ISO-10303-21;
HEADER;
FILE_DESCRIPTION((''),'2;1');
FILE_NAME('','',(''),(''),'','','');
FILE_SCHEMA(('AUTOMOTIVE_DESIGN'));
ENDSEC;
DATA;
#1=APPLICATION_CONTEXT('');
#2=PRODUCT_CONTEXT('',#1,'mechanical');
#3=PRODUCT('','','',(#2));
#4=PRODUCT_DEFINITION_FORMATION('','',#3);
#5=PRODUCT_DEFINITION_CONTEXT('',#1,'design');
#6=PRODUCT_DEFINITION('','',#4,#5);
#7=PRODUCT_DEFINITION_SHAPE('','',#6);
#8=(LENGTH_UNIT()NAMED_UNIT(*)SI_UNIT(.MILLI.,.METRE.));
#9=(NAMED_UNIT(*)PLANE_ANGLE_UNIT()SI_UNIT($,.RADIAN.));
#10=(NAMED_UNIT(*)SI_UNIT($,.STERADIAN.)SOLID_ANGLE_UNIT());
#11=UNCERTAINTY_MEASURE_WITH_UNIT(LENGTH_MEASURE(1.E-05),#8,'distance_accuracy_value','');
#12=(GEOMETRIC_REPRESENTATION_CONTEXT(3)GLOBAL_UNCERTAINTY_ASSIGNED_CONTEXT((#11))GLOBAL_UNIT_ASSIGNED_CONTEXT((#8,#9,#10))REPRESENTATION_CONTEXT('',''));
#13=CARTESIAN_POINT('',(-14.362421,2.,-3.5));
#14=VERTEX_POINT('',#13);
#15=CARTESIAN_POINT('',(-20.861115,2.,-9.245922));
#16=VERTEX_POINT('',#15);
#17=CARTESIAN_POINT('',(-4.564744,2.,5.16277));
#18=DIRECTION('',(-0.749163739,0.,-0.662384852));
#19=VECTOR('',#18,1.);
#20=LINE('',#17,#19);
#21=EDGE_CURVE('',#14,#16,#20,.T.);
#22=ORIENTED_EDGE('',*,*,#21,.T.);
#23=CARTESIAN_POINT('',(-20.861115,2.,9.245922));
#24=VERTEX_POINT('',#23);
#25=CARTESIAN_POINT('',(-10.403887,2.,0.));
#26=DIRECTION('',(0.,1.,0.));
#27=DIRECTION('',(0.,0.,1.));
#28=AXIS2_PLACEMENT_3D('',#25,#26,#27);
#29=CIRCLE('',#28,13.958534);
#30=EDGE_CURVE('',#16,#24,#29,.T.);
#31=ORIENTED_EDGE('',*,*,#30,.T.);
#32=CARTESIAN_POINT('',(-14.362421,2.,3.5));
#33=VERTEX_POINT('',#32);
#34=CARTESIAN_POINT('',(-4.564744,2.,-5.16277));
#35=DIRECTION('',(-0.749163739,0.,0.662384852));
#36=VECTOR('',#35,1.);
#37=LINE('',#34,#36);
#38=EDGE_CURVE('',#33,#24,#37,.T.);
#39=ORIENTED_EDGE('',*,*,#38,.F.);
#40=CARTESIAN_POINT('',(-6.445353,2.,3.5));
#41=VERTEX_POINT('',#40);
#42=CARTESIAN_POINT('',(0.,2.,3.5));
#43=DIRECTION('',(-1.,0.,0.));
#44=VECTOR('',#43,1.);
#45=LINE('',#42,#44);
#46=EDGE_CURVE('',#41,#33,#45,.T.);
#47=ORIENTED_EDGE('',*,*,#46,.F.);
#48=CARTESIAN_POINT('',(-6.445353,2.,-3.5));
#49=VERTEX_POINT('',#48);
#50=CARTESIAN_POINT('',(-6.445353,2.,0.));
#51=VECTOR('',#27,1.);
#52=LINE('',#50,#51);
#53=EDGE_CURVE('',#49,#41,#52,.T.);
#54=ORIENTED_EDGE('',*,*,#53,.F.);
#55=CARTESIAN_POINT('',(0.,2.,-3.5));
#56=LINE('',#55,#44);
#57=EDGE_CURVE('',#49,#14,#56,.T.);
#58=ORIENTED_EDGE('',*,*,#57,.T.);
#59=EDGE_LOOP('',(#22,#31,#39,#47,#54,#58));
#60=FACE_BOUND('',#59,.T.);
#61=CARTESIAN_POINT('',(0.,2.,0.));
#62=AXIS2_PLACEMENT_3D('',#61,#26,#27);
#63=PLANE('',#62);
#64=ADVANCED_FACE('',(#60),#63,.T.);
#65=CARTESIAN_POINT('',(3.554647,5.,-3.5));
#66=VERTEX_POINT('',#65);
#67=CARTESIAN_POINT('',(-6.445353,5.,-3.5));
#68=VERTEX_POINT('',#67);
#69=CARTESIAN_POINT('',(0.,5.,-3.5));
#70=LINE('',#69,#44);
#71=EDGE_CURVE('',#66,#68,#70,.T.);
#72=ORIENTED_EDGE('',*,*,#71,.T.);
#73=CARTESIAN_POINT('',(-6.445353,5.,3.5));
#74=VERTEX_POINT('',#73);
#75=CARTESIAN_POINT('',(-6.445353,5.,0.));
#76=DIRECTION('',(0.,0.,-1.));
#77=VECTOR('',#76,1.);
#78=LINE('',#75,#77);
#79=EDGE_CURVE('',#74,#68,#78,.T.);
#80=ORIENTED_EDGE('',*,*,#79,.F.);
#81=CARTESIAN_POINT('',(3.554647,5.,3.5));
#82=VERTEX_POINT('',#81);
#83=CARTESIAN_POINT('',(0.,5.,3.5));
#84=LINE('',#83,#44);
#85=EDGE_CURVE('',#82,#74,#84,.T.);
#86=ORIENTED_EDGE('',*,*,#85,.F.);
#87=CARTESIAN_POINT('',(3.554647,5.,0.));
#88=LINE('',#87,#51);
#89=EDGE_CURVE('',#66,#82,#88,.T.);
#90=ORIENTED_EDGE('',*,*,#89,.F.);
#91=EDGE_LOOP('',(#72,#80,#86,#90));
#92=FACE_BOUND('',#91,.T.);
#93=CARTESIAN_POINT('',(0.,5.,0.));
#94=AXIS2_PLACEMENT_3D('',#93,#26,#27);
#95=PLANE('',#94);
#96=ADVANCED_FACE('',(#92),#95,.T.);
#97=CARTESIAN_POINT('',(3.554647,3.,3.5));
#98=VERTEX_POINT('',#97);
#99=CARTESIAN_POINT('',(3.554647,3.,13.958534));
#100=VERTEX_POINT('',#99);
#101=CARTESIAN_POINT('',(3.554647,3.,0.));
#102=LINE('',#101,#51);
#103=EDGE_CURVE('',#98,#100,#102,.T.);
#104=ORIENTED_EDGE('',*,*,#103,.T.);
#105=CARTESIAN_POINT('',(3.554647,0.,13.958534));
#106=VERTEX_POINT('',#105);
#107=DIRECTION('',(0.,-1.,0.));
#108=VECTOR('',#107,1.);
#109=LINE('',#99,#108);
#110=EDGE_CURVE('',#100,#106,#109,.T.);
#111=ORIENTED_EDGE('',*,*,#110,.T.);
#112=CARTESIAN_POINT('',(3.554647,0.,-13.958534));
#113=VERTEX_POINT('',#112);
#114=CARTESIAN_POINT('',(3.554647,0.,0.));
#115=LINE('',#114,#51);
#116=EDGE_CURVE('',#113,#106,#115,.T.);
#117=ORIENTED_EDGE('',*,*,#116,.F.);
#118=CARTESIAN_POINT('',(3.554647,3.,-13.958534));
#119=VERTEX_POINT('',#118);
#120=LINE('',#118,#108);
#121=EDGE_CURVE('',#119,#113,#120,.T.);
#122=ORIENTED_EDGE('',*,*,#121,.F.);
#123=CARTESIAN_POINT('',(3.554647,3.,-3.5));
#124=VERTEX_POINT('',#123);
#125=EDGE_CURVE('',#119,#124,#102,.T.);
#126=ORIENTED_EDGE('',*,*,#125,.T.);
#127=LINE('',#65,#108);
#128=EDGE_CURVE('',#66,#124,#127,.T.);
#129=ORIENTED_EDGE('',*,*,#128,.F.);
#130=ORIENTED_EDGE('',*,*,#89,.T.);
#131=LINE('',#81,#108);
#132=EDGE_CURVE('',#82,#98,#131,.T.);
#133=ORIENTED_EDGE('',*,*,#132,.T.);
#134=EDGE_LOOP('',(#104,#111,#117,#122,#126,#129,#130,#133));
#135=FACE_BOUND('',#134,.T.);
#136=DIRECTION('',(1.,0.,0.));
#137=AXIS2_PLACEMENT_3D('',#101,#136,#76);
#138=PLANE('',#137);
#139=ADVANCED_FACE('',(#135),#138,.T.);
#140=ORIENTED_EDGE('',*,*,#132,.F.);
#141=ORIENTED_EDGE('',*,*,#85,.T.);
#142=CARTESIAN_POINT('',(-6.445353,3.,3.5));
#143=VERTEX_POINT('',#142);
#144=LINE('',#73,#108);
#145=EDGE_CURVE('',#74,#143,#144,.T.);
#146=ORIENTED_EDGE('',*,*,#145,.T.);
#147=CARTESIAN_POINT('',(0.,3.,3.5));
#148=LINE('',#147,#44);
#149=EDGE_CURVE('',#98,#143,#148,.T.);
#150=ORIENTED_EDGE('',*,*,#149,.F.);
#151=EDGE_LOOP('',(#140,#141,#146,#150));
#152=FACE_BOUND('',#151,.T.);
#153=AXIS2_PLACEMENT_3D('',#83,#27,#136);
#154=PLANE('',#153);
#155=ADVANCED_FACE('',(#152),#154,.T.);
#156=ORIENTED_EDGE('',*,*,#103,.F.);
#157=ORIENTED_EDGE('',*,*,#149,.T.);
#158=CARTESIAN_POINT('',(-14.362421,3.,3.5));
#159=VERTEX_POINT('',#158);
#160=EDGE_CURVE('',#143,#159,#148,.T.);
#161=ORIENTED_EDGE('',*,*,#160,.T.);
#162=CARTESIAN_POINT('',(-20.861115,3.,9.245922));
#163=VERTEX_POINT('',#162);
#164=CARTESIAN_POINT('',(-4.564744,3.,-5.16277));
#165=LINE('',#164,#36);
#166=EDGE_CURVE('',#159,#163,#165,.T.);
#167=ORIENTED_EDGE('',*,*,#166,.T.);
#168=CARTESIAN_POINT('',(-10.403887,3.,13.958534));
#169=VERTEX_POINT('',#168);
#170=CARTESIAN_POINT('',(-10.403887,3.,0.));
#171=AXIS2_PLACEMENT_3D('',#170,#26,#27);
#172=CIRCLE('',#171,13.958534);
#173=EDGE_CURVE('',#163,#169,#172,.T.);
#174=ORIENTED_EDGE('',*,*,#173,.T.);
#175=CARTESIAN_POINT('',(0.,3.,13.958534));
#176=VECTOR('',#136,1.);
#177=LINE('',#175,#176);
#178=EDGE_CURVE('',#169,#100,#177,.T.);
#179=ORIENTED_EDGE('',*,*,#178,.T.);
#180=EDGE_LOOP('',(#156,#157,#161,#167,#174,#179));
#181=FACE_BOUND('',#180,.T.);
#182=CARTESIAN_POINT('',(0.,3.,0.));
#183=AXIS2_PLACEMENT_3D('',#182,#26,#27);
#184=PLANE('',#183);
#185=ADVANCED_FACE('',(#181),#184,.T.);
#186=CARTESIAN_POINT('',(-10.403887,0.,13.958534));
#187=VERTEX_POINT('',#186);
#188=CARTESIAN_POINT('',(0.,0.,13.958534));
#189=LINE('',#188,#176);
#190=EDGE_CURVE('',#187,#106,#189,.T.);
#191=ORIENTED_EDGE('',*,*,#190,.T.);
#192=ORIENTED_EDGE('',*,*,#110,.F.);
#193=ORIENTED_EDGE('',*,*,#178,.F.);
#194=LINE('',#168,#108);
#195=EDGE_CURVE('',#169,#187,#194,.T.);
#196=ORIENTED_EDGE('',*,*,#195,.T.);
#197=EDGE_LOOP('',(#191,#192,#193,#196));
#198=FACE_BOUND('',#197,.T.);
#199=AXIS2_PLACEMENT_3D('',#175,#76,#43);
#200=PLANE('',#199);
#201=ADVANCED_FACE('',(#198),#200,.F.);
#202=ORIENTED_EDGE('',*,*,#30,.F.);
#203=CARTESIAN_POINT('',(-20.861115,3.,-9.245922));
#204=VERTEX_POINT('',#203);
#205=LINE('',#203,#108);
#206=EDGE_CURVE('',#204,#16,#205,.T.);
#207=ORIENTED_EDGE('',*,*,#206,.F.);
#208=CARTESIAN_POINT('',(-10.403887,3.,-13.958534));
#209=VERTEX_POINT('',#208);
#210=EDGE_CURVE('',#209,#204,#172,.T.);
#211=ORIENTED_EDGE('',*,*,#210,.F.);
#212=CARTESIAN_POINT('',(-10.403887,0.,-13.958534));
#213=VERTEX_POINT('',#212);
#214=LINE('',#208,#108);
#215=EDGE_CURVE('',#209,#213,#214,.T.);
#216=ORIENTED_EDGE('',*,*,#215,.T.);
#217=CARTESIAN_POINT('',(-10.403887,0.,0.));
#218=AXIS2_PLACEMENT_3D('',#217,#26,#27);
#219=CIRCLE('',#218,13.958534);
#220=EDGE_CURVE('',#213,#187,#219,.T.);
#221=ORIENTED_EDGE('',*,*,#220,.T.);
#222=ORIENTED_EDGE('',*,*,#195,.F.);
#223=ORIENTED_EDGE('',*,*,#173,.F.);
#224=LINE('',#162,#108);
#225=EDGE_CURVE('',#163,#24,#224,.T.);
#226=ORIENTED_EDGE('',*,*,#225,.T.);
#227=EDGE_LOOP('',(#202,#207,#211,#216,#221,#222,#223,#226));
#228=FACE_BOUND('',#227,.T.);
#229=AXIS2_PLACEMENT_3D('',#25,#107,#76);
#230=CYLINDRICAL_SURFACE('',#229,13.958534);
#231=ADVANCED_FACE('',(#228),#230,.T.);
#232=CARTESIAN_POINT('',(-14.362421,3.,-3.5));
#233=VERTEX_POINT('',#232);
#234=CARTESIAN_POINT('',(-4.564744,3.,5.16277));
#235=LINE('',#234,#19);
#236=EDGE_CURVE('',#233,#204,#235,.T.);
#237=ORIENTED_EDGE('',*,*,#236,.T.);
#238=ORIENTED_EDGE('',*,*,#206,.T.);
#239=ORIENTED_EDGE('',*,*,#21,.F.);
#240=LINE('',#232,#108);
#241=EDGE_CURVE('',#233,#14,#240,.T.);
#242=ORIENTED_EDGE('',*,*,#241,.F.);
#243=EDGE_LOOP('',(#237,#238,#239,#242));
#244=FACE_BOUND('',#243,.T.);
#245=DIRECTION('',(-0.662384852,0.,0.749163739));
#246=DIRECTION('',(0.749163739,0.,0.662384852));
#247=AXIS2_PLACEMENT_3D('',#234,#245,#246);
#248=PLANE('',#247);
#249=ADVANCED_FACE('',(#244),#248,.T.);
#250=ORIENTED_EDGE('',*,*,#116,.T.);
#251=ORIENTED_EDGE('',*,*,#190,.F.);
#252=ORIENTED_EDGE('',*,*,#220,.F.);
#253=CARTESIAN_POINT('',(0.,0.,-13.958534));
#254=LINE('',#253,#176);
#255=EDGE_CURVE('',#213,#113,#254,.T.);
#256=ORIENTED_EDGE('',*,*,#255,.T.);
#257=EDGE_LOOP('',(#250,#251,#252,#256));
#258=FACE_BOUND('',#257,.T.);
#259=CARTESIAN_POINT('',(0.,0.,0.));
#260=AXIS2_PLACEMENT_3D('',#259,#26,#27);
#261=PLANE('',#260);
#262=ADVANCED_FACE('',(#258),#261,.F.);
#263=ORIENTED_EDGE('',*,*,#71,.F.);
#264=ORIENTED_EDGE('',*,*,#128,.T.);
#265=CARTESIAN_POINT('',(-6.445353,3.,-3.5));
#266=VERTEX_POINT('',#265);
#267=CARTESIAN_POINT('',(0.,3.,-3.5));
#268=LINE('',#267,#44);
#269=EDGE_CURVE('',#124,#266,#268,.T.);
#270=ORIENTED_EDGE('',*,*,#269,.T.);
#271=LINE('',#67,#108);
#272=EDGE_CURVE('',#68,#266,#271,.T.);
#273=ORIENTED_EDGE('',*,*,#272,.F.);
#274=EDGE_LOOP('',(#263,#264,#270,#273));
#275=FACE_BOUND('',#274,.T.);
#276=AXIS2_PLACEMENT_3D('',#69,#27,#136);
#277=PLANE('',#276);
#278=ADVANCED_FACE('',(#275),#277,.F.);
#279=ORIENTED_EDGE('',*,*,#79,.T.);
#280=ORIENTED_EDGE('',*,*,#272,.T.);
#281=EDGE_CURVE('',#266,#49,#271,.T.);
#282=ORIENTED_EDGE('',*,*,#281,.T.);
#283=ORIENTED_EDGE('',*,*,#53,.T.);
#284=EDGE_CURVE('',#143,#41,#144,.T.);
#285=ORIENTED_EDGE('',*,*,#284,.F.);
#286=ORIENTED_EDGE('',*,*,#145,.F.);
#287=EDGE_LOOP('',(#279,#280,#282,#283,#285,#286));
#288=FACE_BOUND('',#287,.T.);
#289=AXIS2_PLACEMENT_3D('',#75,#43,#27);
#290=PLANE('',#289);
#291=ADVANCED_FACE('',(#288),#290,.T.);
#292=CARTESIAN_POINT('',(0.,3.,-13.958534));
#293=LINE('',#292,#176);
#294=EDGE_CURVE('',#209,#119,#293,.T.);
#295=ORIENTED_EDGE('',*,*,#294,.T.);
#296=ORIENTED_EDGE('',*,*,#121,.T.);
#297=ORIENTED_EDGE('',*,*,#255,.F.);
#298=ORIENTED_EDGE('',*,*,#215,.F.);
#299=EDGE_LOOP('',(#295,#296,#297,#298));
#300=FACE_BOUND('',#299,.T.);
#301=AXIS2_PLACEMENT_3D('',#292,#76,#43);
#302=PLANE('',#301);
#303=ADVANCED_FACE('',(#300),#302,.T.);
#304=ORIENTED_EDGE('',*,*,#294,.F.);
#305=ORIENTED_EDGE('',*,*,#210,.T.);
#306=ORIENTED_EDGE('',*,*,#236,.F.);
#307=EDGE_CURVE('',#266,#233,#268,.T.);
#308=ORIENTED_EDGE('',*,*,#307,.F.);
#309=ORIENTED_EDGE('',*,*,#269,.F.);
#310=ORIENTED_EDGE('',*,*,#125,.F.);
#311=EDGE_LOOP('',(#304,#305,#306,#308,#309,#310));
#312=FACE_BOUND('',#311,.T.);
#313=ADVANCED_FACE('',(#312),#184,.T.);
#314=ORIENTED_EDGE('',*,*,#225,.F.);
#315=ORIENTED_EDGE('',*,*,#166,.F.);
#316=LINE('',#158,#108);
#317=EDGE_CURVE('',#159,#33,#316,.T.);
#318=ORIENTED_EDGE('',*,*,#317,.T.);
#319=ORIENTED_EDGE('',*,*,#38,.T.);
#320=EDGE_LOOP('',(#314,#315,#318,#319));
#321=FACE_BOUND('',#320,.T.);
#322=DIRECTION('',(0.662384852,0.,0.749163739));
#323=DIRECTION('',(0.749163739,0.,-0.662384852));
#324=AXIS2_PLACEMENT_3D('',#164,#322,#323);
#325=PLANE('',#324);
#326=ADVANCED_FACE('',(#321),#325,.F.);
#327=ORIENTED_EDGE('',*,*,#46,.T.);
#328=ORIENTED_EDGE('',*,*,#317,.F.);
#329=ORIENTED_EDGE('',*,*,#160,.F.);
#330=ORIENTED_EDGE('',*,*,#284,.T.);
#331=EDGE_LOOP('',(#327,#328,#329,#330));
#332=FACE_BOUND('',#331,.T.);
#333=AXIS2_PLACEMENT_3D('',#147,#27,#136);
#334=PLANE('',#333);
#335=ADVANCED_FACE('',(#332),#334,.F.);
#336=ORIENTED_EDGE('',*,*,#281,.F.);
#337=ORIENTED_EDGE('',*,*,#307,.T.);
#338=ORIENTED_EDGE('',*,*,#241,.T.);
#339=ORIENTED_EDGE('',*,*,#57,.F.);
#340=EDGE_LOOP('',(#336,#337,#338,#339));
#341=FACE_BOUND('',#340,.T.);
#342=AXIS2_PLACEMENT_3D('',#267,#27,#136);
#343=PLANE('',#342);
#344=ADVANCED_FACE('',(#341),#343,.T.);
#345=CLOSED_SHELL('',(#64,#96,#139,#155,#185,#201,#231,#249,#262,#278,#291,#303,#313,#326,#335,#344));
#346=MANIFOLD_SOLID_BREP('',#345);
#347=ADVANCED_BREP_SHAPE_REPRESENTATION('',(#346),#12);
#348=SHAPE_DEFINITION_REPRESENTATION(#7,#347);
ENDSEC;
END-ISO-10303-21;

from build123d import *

# Parameters (mm, degrees)
BOSS_EXTRUDE2_DEPTH = 2
BOSS_EXTRUDE3_DEPTH = 3
SKETCH1_7_W         = 10
SKETCH1_7_H         = 7
BOSS_EXTRUDE5_DEPTH = 5


with BuildPart() as part:
    # Sketch1 → Boss-Extrude2 (new body)
    with BuildSketch(Plane(origin=(0, 0, 0), x_dir=(1, 0, 0), z_dir=(0, 1, 0))):
        with BuildLine():
            Line((-6.445352893, 3.5), (-14.362421277, 3.5))
            Line((-14.362421277, 3.5), (-20.861114748, 9.245921608))
            ThreePointArc((-20.861114748, 9.245921608), (-24.362421277, 0), (-20.861114748, -9.245921608))
            Line((-20.861114748, -9.245921608), (-14.362421277, -3.5))
            Line((-14.362421277, -3.5), (-6.445352893, -3.5))
            Line((-6.445352893, -3.5), (-6.445352893, 3.5))
        make_face()
    extrude(amount=BOSS_EXTRUDE2_DEPTH)

    # Sketch1<5> → Boss-Extrude3 (add)
    with BuildSketch(Plane(origin=(0, 0, 0), x_dir=(1, 0, 0), z_dir=(0, 1, 0))):
        with BuildLine():
            Line((3.554647107, 3.5), (3.554647107, 13.958534192))
            Line((3.554647107, 13.958534192), (-10.403887085, 13.958534192))
            ThreePointArc((-10.403887085, 13.958534192), (-16.138918204, 12.725961451), (-20.861114748, 9.245921608))
            Line((-20.861114748, 9.245921608), (-14.362421277, 3.5))
            Line((-14.362421277, 3.5), (3.554647107, 3.5))
        make_face()
        with BuildLine():
            Line((-14.362421277, -3.5), (-20.861114748, -9.245921608))
            ThreePointArc((-20.861114748, -9.245921608), (-16.138918204, -12.725961451), (-10.403887085, -13.958534192))
            Line((-10.403887085, -13.958534192), (3.554647107, -13.958534192))
            Line((3.554647107, -13.958534192), (3.554647107, -3.5))
            Line((3.554647107, -3.5), (-14.362421277, -3.5))
        make_face()
    extrude(amount=BOSS_EXTRUDE3_DEPTH)

    # Sketch1<7> → Boss-Extrude5 (add)
    with BuildSketch(Plane(origin=(0, 0, 0), x_dir=(1, 0, 0), z_dir=(0, 1, 0))):
        with Locations((-1.445352893, 0)):
            Rectangle(SKETCH1_7_W, SKETCH1_7_H)
    extrude(amount=BOSS_EXTRUDE5_DEPTH)


solid = part.part
